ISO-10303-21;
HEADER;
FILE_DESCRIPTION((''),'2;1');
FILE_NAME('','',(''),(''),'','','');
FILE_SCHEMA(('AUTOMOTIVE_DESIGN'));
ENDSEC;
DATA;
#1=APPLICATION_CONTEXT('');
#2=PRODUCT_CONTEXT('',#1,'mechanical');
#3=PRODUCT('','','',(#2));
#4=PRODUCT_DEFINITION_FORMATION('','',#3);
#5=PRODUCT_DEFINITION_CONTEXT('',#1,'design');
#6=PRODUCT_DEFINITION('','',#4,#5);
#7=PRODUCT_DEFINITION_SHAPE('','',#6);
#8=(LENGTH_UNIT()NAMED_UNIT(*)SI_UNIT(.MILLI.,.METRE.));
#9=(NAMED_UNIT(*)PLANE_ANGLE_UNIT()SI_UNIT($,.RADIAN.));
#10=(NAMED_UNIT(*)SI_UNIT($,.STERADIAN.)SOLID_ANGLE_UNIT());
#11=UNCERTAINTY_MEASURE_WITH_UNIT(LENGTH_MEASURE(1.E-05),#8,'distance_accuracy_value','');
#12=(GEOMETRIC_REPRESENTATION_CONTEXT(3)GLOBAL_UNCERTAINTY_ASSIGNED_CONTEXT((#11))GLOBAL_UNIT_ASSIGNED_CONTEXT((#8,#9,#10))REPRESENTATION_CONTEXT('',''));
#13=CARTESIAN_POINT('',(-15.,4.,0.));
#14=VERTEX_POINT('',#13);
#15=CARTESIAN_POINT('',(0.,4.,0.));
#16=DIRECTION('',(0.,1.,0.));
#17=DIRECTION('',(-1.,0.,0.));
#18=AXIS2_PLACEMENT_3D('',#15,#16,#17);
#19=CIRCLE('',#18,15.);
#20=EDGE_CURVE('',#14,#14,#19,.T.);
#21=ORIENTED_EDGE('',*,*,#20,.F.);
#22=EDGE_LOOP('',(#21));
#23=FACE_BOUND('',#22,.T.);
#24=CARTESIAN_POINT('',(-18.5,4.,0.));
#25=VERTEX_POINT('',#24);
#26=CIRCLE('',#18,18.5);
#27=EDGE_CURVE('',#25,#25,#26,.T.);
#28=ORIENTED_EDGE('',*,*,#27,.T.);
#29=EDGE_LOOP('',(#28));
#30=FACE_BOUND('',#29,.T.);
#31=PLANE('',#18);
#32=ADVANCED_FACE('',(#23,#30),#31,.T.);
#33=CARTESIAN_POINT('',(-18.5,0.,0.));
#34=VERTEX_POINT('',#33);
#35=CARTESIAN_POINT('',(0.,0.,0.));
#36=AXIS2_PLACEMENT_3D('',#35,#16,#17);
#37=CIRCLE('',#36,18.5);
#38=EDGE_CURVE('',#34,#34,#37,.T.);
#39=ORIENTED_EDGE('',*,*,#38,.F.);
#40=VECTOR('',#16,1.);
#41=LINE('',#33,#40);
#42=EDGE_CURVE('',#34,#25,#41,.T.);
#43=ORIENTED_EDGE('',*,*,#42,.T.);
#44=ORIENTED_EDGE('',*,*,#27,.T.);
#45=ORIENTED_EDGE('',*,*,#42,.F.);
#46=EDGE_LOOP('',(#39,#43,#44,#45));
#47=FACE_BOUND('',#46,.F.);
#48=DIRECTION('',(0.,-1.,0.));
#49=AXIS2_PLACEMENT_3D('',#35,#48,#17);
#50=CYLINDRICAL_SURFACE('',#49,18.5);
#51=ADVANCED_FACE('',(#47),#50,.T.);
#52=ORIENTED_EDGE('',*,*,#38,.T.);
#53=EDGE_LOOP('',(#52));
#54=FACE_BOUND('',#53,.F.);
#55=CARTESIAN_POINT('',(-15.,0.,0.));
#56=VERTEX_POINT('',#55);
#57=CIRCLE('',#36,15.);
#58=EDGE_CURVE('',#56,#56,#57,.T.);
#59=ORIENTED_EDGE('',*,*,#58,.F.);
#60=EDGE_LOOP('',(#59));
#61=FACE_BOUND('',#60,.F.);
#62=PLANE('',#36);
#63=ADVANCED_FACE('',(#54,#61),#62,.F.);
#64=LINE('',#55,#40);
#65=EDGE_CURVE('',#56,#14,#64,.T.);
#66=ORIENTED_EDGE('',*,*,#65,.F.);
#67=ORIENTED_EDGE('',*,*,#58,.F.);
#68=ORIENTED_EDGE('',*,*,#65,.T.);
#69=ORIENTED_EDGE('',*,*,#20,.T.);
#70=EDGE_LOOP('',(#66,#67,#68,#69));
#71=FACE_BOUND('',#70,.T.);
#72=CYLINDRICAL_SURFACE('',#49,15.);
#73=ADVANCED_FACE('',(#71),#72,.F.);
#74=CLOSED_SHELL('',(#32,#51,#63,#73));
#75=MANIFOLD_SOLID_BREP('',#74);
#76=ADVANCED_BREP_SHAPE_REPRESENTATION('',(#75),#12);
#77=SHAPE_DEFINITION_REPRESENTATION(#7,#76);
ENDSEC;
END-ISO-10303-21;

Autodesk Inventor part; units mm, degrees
ref_plane "YZ Plane" through (0, 0, 0) normal (1, 0, 0) x (0, 1, 0)
ref_plane "XZ Plane" through (0, 0, 0) normal (0, 1, 0) x (-1, 0, 0)
ref_plane "XY Plane" through (0, 0, 0) normal (0, 0, 1) x (1, 0, 0)
sketch "Sketch1" plane through (0, 0, 0) normal (0, 1, 0) x (-1, 0, 0)
  circle A0 centre (0, 0) radius 18.5
  circle A1 centre (0, 0) radius 15
  dimension "d0" = 37
  dimension "d1" = 30
extrude "Extrusion1" add sketch "Sketch1" along normal blind 4
properties part number "BB 37mm x 30mm x 4mm" material "Steel, Alloy"
